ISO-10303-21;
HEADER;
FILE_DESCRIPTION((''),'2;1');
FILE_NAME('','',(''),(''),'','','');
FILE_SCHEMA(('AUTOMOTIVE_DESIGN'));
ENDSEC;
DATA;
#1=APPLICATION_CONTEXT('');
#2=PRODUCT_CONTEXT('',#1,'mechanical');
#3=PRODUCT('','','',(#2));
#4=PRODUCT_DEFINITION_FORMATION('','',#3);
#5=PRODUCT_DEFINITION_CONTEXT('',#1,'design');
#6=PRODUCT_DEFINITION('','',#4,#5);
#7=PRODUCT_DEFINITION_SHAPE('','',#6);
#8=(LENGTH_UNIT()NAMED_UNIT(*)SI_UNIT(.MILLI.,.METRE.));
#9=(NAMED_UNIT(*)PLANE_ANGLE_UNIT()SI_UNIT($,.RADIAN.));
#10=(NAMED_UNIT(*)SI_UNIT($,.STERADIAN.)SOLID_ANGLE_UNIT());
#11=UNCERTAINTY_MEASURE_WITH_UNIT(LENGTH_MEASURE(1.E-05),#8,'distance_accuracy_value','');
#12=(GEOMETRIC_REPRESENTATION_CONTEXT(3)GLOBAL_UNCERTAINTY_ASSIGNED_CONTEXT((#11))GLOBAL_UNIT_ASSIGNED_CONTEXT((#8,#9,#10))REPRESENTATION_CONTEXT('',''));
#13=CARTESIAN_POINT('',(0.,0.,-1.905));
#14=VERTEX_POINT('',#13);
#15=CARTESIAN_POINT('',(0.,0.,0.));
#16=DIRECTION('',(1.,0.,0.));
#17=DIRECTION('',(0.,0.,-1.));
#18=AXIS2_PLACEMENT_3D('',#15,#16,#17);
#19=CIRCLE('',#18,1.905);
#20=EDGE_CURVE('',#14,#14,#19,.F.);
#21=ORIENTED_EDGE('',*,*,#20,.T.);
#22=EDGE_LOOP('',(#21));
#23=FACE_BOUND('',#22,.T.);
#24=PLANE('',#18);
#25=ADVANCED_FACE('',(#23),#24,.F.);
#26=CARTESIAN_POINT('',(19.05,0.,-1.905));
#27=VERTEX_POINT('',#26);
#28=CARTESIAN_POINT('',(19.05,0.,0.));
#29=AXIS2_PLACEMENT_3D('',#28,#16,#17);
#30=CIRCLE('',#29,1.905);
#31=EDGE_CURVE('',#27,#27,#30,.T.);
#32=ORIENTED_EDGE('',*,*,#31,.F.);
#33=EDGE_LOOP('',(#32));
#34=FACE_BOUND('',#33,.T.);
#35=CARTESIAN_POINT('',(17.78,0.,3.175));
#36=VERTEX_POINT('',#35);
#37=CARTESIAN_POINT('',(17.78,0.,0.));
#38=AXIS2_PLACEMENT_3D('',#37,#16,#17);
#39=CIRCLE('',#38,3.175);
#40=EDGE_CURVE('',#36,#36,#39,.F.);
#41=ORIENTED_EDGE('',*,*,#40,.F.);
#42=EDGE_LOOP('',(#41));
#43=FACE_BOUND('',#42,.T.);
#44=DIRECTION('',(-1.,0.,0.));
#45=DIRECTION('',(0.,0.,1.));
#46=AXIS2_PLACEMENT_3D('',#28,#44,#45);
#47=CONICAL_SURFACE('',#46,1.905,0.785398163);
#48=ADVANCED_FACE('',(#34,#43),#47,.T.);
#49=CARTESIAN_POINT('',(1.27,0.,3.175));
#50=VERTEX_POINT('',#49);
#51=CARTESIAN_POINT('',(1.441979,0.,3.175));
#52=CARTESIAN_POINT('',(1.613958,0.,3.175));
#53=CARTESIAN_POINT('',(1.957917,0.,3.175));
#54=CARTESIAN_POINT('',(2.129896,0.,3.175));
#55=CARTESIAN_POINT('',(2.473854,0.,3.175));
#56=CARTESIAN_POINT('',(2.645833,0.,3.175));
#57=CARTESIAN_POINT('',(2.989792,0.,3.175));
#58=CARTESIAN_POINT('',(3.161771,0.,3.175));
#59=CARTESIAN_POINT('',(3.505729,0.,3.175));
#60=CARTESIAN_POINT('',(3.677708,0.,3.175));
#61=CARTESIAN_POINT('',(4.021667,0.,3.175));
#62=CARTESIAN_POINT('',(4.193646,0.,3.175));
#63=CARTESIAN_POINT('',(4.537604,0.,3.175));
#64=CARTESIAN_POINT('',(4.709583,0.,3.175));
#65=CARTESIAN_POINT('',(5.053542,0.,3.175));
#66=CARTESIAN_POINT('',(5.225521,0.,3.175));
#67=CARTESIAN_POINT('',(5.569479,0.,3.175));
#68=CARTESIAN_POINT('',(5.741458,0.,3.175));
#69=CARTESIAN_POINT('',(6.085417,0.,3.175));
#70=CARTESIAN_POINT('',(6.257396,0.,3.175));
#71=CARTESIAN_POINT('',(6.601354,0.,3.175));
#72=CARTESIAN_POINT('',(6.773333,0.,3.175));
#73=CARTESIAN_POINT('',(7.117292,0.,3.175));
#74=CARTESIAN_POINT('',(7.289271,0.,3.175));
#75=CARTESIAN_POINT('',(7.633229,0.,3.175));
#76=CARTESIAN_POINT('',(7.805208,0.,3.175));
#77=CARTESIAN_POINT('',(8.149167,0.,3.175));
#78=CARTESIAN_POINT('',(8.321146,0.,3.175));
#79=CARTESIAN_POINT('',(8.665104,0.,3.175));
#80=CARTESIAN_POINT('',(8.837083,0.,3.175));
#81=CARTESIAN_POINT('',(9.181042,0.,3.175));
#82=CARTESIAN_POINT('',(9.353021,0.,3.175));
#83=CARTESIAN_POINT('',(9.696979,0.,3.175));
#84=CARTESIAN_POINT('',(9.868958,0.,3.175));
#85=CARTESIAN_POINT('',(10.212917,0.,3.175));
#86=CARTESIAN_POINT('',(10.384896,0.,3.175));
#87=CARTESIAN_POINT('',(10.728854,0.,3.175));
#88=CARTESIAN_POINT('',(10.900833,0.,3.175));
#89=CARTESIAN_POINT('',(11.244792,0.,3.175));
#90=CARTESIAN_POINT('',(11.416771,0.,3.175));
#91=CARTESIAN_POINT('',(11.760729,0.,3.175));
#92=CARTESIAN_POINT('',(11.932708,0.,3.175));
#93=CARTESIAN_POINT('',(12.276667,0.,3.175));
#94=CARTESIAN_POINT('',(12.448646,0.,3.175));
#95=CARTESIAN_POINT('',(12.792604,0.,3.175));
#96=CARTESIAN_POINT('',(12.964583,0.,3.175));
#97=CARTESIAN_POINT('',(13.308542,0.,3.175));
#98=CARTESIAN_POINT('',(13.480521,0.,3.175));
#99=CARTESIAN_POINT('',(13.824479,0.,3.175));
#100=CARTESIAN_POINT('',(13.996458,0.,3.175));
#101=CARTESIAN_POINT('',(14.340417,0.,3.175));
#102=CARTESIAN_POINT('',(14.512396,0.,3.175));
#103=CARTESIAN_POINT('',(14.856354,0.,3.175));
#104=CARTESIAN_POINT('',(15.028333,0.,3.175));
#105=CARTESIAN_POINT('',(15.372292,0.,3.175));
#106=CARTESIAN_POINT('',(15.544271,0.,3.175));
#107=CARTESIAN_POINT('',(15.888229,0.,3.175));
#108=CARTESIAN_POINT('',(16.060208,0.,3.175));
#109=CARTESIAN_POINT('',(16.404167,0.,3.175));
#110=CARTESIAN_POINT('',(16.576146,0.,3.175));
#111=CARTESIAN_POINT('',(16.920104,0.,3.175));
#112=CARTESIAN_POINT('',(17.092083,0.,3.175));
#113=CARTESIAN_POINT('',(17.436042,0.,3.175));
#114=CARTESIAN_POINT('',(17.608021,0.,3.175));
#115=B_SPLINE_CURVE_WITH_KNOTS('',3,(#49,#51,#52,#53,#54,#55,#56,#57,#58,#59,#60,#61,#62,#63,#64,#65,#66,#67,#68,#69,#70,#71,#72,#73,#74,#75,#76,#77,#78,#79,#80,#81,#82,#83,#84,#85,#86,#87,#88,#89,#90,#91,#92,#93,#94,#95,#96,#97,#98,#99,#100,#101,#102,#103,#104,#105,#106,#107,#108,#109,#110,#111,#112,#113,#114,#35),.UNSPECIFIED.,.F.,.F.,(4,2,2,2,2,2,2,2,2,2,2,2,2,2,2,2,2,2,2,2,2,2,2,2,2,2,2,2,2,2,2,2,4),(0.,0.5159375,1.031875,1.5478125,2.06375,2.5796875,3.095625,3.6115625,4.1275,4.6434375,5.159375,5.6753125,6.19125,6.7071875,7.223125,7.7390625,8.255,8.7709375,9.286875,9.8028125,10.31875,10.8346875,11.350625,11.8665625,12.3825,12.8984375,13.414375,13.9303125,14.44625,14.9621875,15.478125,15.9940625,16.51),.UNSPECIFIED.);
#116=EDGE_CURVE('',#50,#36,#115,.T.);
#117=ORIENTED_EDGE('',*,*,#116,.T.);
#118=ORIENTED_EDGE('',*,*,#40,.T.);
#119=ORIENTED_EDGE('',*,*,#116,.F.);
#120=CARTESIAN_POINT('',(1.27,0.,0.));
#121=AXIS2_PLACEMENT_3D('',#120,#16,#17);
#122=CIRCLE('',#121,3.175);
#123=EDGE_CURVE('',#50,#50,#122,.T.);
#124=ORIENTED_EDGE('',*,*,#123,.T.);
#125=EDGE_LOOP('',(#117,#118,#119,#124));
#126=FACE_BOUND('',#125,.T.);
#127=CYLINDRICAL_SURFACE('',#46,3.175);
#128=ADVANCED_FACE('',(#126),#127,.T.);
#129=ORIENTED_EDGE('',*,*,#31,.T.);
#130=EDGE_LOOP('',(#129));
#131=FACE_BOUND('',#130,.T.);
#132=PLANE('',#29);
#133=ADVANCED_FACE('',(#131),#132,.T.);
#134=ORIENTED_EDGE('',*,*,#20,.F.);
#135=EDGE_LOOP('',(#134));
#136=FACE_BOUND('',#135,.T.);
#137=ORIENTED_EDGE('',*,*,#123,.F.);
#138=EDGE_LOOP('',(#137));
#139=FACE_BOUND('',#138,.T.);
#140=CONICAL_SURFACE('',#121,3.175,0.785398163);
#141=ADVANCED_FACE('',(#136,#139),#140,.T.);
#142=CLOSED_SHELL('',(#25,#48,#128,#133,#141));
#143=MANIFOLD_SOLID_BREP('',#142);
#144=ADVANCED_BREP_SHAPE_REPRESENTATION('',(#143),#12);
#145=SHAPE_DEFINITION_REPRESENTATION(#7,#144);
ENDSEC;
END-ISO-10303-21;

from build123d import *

# Parameters (mm, degrees)
SKETCH2_R           = 3.175
BOSS_EXTRUDE1_DEPTH = 19.05
CHAMFER1_SIZE       = 1.27


with BuildPart() as part:
    # Sketch2 → Boss-Extrude1 (new body)
    with BuildSketch(Plane(origin=(0, 0, 0), x_dir=(0, 0, -1), z_dir=(1, 0, 0))):
        with Locations(Location((0, 0, 0), (0, 0, 180))):
            Circle(SKETCH2_R)
    extrude(amount=BOSS_EXTRUDE1_DEPTH)

    # Chamfer1
    chamfer1_edges = [part.edges().sort_by_distance(p)[0] for p in [
        (0, 0, -3.175),
        (19.05, 0, -3.175),
    ]]
    chamfer(chamfer1_edges, length=CHAMFER1_SIZE)


solid = part.part
